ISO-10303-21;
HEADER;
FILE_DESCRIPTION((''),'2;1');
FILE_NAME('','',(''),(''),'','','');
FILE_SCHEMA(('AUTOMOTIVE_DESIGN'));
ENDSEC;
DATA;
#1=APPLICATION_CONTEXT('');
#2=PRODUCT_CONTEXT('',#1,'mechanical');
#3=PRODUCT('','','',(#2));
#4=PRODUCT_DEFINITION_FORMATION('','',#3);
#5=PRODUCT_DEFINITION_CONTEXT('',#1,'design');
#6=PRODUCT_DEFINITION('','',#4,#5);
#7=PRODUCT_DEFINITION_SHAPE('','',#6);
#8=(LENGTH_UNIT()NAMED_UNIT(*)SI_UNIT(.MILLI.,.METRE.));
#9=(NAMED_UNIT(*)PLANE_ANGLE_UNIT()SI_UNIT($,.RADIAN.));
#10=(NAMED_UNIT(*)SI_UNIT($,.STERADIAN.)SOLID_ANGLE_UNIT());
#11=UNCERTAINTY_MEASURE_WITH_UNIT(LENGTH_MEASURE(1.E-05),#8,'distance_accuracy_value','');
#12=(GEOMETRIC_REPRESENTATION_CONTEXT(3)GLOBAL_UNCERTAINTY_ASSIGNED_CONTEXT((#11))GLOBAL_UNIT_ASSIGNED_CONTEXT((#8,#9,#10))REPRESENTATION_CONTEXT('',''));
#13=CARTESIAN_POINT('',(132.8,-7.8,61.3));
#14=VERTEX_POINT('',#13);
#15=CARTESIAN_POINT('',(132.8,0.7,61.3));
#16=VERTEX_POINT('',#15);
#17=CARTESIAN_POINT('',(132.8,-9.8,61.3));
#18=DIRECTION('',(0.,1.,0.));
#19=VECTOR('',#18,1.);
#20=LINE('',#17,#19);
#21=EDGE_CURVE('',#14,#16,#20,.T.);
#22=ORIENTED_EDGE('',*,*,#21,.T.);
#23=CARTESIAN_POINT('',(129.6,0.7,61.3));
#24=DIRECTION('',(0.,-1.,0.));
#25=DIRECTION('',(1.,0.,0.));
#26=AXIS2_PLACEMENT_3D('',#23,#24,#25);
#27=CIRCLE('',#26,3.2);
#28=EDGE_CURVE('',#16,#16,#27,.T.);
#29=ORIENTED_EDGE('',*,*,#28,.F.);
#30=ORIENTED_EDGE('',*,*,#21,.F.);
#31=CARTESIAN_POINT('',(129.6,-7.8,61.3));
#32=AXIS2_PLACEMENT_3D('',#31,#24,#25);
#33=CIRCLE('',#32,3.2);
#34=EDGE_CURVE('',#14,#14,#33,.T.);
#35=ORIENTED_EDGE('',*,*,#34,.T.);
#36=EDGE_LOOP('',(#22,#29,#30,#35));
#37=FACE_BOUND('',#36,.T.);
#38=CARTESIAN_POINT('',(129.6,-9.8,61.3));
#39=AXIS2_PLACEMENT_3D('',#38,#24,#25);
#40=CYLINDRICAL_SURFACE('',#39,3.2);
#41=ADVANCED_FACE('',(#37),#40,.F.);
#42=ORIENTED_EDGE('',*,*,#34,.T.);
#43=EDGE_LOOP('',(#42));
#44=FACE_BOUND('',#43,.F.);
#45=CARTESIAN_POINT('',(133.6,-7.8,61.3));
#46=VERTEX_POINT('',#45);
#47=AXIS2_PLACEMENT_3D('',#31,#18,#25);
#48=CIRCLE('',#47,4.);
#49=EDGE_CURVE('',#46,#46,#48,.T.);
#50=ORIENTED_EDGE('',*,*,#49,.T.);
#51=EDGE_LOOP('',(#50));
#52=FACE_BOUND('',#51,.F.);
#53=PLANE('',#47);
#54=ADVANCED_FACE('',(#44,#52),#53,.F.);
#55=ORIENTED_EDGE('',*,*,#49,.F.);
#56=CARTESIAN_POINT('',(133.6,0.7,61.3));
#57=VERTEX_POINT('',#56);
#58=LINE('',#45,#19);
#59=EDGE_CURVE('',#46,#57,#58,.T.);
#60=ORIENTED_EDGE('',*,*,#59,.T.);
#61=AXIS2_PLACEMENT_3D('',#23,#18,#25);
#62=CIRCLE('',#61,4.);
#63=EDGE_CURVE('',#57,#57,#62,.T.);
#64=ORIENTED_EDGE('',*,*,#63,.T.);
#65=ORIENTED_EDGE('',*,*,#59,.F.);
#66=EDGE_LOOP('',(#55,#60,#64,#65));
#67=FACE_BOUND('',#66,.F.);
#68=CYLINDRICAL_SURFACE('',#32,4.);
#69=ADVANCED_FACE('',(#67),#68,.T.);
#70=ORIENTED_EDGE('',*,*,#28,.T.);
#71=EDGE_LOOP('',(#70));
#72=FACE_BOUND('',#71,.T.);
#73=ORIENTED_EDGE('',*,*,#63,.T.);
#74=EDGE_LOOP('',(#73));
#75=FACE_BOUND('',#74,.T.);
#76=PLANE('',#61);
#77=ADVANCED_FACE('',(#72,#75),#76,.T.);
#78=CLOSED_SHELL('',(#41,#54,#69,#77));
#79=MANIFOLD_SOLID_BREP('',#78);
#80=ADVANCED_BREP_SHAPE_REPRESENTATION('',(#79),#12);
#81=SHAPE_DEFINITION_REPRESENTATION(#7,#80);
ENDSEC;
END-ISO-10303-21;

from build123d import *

# Parameters (mm, degrees)
CYLINDER235_R     = 3.2
CYLINDER235_DEPTH = 16
CYLINDER234_R     = 4
CYLINDER234_DEPTH = 8.5


with BuildPart() as cylinder235:
    # Cylinder235 → Cylinder235 (new body)
    with BuildSketch(Plane(origin=(129.6, -9.8, 61.3), x_dir=(1, 0, 0), z_dir=(0, 1, 0))):
        Circle(CYLINDER235_R)
    extrude(amount=CYLINDER235_DEPTH)


with BuildPart() as cut278:
    # Cylinder234 → Cylinder234 (new body)
    with BuildSketch(Plane(origin=(129.6, -7.8, 61.3), x_dir=(1, 0, 0), z_dir=(0, 1, 0))):
        Circle(CYLINDER234_R)
    extrude(amount=CYLINDER234_DEPTH)

    # Cut278: cut Cylinder235
    add(cylinder235.part, mode=Mode.SUBTRACT)


solid = cut278.part
